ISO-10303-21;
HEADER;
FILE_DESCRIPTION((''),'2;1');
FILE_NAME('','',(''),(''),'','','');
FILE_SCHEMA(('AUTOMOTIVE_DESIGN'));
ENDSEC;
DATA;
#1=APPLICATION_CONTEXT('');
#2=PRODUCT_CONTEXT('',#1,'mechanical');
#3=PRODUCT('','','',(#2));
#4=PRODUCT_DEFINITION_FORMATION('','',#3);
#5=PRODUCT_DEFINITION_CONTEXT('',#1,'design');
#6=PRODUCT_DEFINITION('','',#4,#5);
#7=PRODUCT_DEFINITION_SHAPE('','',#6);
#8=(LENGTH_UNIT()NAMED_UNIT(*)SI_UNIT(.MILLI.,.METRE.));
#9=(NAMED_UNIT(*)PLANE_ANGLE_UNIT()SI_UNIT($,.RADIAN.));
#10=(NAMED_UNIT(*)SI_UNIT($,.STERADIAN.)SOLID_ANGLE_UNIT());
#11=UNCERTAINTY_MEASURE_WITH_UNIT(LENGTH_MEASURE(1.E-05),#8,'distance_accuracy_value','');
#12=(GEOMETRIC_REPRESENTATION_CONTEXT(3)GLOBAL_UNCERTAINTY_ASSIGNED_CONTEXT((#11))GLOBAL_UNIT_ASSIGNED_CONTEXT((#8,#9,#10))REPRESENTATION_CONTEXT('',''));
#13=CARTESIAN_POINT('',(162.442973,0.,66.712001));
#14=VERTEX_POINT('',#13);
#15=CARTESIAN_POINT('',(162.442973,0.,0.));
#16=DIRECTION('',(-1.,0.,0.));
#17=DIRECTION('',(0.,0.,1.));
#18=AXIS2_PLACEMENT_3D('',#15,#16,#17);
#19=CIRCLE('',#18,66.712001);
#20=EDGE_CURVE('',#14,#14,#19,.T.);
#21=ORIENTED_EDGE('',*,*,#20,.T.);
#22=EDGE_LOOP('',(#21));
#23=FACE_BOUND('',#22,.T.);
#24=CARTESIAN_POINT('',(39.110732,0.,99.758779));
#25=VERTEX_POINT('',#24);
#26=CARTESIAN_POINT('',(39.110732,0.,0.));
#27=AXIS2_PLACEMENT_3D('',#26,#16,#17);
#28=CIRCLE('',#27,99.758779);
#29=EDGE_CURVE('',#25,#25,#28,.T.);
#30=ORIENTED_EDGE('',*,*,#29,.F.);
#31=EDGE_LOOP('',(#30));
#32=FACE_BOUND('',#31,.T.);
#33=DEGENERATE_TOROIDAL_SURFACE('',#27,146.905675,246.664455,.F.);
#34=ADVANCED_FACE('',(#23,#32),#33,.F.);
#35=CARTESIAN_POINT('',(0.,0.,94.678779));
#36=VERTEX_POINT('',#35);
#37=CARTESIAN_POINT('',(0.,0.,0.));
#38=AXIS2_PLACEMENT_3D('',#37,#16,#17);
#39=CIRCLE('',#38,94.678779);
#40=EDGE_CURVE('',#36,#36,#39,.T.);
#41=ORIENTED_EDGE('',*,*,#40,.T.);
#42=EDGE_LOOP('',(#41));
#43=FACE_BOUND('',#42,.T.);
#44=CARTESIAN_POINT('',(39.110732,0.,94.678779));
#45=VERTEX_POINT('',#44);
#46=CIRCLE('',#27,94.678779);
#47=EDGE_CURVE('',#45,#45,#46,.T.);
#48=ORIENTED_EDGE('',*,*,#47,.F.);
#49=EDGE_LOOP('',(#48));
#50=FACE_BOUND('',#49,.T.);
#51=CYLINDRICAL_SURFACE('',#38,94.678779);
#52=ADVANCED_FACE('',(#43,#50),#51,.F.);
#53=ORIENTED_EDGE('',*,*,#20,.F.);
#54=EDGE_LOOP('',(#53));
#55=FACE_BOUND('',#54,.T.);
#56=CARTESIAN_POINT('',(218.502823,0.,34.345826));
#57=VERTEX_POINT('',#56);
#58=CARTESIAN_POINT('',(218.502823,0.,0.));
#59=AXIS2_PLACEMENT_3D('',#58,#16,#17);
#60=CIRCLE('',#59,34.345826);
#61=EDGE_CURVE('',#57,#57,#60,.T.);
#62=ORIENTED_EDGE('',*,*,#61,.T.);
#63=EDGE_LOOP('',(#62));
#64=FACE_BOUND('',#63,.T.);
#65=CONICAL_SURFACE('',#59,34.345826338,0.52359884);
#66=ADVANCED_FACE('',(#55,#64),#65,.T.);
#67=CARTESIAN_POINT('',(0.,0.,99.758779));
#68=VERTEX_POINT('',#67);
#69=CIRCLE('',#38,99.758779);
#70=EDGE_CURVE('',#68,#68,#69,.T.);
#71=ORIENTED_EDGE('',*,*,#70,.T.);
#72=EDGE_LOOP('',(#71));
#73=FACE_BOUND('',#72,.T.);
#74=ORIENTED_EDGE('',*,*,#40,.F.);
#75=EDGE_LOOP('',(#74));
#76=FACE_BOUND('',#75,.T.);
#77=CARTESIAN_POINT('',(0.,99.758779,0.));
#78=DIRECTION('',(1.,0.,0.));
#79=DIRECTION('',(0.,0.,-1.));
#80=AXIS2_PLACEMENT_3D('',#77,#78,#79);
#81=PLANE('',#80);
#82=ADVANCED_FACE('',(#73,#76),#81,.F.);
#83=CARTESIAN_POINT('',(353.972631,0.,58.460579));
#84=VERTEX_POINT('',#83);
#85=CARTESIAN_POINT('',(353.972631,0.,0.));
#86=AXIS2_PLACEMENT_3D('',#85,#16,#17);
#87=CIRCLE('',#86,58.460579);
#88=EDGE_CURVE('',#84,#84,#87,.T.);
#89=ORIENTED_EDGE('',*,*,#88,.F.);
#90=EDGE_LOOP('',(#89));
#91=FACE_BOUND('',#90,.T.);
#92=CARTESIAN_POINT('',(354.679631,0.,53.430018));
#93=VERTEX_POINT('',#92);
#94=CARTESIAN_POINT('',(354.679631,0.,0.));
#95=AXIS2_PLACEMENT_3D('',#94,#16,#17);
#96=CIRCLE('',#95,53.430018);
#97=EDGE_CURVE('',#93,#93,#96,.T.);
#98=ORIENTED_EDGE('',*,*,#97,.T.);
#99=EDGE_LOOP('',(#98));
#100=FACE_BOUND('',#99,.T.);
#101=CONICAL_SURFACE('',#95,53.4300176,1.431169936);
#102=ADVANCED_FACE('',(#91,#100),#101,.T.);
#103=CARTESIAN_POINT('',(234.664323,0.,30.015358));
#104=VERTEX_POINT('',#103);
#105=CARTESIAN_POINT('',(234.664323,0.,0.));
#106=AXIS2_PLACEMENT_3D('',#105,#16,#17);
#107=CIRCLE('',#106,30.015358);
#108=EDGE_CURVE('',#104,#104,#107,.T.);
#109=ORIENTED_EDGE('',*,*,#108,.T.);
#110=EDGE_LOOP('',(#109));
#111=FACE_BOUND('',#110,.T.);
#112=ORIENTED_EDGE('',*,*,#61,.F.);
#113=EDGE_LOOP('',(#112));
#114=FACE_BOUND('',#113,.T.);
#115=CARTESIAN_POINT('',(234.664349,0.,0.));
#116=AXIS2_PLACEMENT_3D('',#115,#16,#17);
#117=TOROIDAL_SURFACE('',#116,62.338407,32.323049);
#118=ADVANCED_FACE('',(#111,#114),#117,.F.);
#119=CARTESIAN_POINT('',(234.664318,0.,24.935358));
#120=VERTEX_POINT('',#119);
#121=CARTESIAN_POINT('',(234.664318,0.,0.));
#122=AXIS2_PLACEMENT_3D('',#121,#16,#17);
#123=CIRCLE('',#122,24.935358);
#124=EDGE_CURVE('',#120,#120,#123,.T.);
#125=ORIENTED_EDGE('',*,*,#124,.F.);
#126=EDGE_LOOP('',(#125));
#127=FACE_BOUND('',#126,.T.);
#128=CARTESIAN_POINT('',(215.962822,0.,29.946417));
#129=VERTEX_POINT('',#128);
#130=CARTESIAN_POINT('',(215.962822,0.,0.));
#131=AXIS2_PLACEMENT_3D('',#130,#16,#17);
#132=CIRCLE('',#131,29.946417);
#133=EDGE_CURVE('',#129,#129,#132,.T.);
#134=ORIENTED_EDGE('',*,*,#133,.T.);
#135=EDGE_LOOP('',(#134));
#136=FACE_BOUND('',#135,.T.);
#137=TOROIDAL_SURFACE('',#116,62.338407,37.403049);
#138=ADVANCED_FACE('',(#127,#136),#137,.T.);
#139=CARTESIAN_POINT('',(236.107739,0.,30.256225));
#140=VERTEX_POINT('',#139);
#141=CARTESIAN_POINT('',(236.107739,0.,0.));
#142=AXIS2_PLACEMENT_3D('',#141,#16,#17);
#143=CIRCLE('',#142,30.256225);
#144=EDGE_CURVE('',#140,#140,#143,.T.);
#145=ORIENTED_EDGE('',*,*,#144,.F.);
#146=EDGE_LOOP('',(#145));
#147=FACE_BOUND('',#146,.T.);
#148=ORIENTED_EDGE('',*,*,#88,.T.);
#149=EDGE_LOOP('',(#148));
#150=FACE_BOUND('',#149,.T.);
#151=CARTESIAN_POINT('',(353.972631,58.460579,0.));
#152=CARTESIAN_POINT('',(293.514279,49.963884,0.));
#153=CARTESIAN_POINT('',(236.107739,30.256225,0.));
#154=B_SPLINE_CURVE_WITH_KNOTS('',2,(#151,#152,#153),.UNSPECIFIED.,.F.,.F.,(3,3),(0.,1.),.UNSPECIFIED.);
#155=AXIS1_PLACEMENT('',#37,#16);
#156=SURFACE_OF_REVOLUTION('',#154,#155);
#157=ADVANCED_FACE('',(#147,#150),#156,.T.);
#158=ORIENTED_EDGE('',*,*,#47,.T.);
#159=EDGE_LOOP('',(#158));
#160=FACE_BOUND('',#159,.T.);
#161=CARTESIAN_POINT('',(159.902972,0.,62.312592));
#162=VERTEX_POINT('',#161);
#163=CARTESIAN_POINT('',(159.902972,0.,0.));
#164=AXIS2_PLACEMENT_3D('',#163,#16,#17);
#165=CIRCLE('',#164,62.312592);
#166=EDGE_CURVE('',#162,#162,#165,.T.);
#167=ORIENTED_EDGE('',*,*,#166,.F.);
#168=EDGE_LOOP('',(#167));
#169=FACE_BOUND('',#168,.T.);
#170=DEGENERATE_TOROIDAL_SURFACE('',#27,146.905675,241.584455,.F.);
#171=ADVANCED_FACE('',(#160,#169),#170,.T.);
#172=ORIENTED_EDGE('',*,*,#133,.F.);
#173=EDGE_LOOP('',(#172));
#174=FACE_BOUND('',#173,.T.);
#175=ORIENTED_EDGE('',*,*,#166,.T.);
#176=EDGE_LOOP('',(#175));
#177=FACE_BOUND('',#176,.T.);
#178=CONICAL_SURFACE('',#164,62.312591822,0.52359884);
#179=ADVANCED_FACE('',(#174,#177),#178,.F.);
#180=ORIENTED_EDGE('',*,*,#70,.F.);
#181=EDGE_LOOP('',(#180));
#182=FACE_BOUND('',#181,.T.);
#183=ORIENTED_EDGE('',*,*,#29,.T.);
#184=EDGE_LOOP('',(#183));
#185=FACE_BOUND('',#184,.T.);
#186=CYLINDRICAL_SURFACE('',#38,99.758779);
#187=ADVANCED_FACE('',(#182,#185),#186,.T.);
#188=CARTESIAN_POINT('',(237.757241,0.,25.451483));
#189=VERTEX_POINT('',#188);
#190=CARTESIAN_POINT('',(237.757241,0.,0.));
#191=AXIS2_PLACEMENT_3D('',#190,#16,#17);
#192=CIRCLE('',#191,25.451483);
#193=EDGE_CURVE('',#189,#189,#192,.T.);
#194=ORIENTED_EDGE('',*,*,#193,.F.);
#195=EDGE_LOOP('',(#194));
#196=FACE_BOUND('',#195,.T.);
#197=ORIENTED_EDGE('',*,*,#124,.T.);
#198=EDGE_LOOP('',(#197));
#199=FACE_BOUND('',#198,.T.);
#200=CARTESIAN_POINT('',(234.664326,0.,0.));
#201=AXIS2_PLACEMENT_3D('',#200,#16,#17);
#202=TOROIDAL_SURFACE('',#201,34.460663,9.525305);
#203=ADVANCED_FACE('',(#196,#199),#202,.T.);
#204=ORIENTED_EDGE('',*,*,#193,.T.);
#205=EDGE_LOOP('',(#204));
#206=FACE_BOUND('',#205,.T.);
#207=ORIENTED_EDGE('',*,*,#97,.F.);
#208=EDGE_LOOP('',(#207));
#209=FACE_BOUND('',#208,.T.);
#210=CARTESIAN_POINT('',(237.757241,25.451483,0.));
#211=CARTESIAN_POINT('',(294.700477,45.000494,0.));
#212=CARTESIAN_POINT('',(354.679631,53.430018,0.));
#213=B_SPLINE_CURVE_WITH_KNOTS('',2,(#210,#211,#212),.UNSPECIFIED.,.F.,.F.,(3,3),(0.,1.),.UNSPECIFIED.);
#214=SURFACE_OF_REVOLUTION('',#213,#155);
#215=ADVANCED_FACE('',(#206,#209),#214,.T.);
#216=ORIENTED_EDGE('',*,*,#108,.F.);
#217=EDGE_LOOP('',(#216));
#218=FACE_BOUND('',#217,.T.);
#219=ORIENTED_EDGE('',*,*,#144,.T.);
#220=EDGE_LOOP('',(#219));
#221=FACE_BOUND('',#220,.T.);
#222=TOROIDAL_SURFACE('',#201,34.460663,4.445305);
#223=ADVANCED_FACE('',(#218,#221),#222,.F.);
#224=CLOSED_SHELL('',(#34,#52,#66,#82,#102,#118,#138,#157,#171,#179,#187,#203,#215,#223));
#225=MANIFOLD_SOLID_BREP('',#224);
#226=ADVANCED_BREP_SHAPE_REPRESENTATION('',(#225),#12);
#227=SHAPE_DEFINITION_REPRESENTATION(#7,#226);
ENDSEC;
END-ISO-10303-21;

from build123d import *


with BuildPart() as part:
    # Model → Revolve1 (revolve)
    with BuildSketch(Plane.XY, mode=Mode.PRIVATE) as revolve1_sk:
        with BuildLine():
            Line((0, 94.6787794), (39.110731504, 94.6787794))
            ThreePointArc((39.110731504, 94.6787794), (101.637396909, 86.446986704), (159.90297235, 62.312591822))
            Line((159.90297235, 62.312591822), (215.962822425, 29.946417451))
            ThreePointArc((215.962822425, 29.946417451), (224.983711605, 26.209840113), (234.664318334, 24.9353578))
            ThreePointArc((234.664318334, 24.9353578), (236.232163558, 25.0652745), (237.757240536, 25.451483257))
            add(Edge.make_bspline(
                [(237.757240536, 25.451483257), (294.7004774, 45.0004942), (354.679631, 53.4300176)],
                knots=[0, 0, 0, 1, 1, 1], degree=2))
            Line((354.679631, 53.4300176), (353.972631393, 58.460579354))
            add(Edge.make_bspline(
                [(236.107739075, 30.256225178), (293.514278696, 49.963883796), (353.972631393, 58.460579354)],
                knots=[0, 0, 0, 1, 1, 1], degree=2))
            ThreePointArc((236.107739075, 30.256225178), (235.396010426, 30.075987816), (234.664322529, 30.0153578))
            ThreePointArc((234.664322529, 30.0153578), (226.298514539, 31.116742725), (218.50282271, 34.345826338))
            Line((218.50282271, 34.345826338), (162.442972634, 66.712000709))
            ThreePointArc((162.442972634, 66.712000709), (102.952197817, 91.353889859), (39.110731504, 99.7587794))
            Line((39.110731504, 99.7587794), (0, 99.7587794))
            Line((0, 99.7587794), (0, 94.6787794))
        make_face()
    revolve(revolve1_sk.sketch.rotate(Axis((0, 0, 0), (1, 0, 0)), 90), axis=Axis((0, 0, 0), (1, 0, 0)))


solid = part.part
